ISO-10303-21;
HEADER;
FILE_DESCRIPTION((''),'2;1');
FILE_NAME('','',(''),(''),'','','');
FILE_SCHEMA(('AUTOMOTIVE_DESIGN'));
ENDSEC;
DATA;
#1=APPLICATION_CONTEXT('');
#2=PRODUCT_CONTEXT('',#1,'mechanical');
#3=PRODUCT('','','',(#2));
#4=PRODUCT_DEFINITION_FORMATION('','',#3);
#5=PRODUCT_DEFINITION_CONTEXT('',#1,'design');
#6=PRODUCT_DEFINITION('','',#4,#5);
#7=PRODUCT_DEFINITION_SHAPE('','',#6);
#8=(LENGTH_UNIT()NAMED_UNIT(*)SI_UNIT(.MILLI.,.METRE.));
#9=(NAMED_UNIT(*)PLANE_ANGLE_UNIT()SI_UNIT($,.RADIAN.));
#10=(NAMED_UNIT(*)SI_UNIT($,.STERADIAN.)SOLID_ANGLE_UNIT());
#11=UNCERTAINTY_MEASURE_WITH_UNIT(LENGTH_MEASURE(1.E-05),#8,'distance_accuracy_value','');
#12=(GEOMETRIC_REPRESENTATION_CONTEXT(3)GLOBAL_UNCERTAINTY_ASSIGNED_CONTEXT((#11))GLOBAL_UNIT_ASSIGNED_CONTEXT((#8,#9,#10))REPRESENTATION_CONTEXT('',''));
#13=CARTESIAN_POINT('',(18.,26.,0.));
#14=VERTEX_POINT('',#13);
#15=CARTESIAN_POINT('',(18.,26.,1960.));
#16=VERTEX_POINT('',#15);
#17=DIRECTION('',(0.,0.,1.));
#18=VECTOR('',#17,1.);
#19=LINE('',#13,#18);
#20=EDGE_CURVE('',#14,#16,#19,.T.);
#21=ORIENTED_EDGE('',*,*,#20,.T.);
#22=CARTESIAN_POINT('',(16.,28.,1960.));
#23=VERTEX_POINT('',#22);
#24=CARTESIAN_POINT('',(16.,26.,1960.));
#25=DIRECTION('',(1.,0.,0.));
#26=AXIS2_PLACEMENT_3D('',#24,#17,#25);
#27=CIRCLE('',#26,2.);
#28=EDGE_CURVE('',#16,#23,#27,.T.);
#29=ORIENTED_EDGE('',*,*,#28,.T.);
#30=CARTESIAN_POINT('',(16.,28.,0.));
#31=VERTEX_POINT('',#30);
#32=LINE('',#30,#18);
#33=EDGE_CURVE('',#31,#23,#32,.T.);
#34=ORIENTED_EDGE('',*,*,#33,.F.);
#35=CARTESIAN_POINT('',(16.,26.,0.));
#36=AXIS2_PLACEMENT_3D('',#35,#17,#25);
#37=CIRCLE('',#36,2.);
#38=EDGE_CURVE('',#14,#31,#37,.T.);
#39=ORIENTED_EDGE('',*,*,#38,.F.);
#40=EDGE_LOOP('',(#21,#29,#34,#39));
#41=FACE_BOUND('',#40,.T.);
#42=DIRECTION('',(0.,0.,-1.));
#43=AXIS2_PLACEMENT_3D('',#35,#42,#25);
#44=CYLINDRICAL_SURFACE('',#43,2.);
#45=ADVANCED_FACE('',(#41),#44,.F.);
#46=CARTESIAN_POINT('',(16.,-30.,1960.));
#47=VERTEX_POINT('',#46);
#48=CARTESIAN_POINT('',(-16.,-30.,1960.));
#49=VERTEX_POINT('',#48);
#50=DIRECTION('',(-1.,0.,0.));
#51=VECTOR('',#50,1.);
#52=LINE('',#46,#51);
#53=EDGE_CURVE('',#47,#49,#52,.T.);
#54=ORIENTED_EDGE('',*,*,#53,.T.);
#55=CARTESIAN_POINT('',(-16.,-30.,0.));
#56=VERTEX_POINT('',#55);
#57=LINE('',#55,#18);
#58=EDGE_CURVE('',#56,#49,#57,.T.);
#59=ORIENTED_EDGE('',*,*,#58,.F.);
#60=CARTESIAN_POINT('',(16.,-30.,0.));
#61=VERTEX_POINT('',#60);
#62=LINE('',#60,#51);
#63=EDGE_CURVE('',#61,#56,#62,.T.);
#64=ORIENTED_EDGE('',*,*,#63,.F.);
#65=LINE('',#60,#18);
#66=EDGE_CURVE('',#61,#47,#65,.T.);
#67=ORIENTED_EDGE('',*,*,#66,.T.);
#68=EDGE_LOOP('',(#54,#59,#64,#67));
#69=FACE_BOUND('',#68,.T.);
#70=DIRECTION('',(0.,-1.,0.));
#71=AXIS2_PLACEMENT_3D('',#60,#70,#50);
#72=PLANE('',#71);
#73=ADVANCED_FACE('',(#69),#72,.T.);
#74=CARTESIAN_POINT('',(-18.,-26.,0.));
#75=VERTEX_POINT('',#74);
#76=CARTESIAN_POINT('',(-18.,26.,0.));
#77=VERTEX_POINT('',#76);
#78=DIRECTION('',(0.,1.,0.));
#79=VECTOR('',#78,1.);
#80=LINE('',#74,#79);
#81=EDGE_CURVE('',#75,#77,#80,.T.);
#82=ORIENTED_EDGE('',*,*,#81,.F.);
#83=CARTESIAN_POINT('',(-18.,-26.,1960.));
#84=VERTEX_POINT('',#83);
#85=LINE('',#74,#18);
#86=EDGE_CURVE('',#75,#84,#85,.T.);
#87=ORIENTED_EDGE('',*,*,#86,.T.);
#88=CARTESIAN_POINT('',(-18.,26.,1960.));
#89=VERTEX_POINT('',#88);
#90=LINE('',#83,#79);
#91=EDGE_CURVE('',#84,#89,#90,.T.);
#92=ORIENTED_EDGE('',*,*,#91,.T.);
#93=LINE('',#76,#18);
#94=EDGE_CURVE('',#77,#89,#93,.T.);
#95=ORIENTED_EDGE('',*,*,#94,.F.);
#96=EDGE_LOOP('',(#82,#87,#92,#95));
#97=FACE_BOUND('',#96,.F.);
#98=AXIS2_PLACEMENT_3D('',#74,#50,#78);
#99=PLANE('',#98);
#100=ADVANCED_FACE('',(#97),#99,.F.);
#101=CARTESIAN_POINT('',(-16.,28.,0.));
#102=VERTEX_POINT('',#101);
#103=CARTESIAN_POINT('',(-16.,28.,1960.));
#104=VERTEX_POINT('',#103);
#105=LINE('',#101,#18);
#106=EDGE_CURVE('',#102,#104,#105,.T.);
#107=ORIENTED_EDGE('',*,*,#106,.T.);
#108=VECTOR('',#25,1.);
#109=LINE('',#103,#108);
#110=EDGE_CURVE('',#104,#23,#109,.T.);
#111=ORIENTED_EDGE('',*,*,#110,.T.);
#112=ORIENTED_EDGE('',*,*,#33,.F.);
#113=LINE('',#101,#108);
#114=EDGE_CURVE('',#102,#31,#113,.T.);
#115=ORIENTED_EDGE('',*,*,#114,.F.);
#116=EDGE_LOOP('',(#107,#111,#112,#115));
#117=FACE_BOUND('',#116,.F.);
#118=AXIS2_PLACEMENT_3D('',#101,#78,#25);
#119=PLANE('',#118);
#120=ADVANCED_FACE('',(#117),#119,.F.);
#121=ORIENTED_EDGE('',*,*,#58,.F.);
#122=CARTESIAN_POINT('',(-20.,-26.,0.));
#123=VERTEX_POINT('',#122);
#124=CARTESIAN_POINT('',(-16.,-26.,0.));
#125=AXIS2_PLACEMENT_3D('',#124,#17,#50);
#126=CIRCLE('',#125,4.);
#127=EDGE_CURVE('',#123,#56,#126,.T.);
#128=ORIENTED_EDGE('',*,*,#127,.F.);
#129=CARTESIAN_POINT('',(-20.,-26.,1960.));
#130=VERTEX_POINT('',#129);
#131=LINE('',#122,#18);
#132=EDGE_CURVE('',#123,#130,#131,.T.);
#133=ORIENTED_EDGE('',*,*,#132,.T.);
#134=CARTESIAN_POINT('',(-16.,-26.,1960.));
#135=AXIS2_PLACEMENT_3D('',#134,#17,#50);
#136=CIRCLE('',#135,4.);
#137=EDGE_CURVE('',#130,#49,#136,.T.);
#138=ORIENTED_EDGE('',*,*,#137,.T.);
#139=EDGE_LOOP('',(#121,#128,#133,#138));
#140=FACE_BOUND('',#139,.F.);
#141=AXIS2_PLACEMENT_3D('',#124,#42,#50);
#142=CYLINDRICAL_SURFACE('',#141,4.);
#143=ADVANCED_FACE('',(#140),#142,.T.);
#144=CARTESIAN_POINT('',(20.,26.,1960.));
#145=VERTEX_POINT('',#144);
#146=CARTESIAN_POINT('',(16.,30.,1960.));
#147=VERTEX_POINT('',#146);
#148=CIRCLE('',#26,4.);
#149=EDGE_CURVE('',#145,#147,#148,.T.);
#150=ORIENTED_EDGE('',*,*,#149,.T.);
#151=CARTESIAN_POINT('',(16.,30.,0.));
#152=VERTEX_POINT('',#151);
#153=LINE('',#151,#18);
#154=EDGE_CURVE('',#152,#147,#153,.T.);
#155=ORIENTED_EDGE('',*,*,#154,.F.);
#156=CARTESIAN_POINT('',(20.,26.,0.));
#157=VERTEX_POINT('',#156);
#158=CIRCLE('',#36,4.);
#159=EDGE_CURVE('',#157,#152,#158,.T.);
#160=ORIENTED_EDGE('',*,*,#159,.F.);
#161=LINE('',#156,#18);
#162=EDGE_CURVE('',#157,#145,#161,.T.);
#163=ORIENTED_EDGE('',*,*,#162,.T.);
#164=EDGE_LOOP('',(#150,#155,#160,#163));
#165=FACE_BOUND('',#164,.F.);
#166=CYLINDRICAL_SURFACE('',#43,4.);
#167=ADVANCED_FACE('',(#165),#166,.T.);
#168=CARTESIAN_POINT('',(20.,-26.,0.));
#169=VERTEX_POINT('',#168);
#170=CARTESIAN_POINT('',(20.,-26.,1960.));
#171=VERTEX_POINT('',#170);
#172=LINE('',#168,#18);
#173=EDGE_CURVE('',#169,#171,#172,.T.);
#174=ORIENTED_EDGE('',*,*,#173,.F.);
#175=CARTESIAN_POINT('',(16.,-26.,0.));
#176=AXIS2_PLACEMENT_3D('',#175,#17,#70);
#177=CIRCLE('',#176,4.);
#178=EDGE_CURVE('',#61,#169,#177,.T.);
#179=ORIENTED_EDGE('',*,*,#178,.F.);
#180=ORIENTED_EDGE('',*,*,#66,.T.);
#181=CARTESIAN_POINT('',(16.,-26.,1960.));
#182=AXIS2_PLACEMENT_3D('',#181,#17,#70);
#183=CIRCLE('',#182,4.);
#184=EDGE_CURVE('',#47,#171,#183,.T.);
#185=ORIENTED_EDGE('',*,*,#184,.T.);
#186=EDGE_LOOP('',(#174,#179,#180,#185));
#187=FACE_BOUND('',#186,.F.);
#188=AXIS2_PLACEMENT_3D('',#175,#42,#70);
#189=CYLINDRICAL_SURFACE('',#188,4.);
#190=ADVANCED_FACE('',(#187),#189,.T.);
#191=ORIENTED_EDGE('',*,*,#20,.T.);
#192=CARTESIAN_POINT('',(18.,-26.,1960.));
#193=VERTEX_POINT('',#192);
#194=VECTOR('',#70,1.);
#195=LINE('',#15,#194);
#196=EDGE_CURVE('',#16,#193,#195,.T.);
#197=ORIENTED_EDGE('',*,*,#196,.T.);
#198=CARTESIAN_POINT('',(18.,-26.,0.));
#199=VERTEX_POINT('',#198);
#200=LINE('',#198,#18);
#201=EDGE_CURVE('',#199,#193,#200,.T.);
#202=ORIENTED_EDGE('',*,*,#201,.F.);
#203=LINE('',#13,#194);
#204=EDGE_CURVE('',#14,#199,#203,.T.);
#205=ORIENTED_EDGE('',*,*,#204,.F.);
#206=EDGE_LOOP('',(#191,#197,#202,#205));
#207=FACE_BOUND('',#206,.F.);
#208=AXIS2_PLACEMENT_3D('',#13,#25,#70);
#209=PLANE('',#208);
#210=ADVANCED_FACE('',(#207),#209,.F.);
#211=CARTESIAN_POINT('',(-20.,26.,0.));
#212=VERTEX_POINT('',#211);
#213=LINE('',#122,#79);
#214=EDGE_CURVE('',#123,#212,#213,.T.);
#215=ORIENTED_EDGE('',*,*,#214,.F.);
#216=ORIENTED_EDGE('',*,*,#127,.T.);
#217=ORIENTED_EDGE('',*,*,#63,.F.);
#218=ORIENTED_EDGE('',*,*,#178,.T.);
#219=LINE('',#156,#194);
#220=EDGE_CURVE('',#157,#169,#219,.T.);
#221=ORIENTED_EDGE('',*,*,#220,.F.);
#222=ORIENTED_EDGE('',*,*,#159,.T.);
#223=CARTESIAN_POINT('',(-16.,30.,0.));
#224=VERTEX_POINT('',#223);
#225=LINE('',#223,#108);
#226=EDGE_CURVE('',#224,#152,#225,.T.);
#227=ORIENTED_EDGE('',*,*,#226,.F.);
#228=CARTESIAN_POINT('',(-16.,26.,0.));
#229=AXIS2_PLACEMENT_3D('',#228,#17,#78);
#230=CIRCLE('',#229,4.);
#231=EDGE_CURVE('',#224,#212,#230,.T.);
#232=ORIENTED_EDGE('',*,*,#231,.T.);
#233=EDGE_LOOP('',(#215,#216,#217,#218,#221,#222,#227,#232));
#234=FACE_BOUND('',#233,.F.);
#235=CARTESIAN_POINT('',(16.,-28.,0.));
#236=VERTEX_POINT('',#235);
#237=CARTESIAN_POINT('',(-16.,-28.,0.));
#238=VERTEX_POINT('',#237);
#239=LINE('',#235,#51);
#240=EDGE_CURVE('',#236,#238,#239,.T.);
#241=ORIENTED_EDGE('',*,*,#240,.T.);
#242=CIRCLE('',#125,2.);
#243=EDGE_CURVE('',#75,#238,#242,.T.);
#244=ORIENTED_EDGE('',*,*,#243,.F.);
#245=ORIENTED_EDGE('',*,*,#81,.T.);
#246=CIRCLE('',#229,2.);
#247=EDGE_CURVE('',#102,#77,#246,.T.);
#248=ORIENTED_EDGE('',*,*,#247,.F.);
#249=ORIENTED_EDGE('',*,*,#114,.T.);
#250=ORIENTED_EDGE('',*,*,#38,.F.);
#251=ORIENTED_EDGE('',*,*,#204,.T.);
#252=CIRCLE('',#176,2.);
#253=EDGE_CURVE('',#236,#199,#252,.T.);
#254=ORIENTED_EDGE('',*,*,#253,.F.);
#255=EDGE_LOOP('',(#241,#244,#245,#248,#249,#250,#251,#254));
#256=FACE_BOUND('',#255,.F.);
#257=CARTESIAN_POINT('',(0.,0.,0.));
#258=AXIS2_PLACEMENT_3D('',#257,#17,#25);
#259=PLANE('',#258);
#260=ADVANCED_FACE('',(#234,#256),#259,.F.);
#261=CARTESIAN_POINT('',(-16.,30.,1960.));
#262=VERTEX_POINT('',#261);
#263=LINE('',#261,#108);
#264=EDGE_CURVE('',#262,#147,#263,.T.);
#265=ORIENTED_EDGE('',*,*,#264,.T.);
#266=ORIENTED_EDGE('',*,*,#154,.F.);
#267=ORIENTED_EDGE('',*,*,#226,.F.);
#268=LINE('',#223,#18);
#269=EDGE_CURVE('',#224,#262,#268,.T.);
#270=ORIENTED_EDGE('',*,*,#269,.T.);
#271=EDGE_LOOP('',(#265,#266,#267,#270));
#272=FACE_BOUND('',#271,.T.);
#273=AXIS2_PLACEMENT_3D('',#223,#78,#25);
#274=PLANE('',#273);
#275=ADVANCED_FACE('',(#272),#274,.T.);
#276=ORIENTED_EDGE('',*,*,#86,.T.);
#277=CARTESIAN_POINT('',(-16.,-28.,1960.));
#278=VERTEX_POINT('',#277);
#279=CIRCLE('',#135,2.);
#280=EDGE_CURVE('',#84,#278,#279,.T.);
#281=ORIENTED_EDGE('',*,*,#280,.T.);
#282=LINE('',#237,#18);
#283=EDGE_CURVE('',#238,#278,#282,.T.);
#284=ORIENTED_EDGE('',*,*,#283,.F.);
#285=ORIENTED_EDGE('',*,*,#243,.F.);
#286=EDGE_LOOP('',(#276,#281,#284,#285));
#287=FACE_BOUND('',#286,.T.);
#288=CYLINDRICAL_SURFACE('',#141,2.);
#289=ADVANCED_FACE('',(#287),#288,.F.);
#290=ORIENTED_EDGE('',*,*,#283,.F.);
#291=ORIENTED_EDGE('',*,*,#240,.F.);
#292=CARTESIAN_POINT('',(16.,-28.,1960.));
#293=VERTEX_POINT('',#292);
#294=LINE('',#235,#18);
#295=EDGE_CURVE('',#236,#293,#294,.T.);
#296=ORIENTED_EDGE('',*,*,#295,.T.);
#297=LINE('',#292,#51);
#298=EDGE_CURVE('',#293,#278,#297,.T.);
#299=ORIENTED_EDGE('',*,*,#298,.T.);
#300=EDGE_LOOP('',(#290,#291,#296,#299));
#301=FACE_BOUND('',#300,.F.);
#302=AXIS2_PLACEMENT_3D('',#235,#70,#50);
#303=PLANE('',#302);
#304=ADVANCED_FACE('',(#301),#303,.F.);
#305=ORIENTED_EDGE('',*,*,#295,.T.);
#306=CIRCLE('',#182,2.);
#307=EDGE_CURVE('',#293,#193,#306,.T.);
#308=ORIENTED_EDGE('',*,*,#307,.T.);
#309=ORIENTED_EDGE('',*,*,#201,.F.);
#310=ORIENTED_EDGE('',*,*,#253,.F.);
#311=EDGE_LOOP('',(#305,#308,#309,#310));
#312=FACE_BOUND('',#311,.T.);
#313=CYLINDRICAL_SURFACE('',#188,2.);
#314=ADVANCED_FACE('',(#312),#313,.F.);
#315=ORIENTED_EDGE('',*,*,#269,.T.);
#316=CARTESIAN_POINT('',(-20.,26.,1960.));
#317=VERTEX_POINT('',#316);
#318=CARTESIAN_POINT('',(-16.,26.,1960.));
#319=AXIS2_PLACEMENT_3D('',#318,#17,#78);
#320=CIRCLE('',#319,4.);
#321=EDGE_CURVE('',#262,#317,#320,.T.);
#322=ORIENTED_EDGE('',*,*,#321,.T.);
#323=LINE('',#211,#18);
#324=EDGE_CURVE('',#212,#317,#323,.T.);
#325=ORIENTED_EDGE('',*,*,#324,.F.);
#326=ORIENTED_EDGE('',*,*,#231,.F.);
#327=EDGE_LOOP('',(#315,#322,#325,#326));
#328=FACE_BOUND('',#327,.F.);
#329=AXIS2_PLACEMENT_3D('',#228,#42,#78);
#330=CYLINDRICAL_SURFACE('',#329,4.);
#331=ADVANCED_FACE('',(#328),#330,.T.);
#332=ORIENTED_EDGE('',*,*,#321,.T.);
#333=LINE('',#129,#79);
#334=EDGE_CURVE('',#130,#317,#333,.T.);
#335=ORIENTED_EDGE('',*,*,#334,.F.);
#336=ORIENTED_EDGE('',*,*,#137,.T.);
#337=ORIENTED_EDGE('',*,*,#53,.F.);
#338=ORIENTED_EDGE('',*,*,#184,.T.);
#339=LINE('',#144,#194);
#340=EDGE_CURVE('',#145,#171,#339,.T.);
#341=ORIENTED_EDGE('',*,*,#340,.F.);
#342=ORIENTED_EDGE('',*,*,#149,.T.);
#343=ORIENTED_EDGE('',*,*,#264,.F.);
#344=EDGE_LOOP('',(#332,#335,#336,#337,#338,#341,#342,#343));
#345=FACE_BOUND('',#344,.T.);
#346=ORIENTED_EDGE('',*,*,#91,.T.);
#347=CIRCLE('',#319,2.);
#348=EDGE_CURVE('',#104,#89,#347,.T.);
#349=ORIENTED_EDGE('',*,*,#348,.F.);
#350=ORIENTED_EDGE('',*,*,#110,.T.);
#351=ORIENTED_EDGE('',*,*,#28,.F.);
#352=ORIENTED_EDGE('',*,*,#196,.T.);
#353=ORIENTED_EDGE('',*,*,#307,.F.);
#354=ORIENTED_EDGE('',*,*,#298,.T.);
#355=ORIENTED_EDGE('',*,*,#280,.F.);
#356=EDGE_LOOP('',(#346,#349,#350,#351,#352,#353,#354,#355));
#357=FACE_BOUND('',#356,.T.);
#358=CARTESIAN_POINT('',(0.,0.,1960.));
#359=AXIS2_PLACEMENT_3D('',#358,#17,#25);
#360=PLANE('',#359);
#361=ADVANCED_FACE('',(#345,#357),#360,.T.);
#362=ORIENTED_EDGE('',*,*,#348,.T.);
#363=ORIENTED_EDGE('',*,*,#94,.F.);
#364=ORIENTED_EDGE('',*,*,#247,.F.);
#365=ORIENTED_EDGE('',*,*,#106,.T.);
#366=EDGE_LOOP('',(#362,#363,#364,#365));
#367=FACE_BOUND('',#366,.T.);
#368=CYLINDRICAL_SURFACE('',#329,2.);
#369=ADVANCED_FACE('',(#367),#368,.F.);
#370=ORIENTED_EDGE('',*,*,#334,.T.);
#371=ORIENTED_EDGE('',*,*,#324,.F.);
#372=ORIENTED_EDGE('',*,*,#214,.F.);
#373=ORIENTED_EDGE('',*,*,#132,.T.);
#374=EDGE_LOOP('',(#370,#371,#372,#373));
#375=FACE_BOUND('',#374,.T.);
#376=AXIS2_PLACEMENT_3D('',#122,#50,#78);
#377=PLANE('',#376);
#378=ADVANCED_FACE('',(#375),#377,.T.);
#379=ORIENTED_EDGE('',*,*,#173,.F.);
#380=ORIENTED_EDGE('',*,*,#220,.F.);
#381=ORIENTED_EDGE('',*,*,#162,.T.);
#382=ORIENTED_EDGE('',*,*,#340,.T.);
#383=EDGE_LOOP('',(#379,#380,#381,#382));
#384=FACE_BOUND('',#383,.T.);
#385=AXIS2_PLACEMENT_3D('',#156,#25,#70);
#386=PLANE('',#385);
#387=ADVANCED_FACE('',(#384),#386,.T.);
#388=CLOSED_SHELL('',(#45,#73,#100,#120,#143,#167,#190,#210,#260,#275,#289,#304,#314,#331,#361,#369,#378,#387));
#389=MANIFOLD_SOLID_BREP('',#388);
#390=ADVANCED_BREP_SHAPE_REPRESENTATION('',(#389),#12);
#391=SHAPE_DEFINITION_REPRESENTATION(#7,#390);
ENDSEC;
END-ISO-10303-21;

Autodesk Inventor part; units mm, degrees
ref_plane "YZ Plane" through (0, 0, 0) normal (1, 0, 0) x (0, 1, 0)
ref_plane "Start Plane" through (0, 0, 0) normal (0, 0, 1) x (1, 0, 0)
ref_plane "End Plane" through (0, 0, 1960) normal (0, 0, 1) x (1, 0, 0)
sketch "Sketch" plane through (0, 0, 0) normal (0, 0, 1) x (1, 0, 0)
  line L0 (-20, -26) -> (-20, 26)
  line L1 (-16, 30) -> (16, 30)
  line L2 (20, 26) -> (20, -26)
  line L3 (16, -30) -> (-16, -30)
  arc A0 (-20, -26) -> (-16, -30) centre (-16, -26) ccw
  arc A1 (20, 26) -> (16, 30) centre (16, 26) ccw
  arc A2 (-16, 30) -> (-20, 26) centre (-16, 26) ccw
  arc A3 (16, -30) -> (20, -26) centre (16, -26) ccw
  arc A4 (-16, 28) -> (-18, 26) centre (-16, 26) ccw
  line L4 (-16, 28) -> (16, 28)
  arc A5 (18, 26) -> (16, 28) centre (16, 26) ccw
  line L5 (18, 26) -> (18, -26)
  arc A6 (16, -28) -> (18, -26) centre (16, -26) ccw
  line L6 (16, -28) -> (-16, -28)
  arc A7 (-18, -26) -> (-16, -28) centre (-16, -26) ccw
  line L7 (-18, -26) -> (-18, 26)
  line L8 (0, 43.1598) -> (0, -43.1598) construction
  line L9 (-29.1598, 0) -> (29.1598, 0) construction
  dimension "d7" = 4
  dimension "d9" = 40
  dimension "d11" = 60
  dimension "d12" = 2
  dimension "d15" = 20
  dimension "d16" = 30
extrude "Body" add sketch "Sketch" along normal up to surface (1960 mm away) from surface at 0
sketch "Sketch3" plane through (0, 0, 0) normal (0, 0, 1) x (1, 0, 0)
  line L0 (0, 0) -> (10, 0)
ref_plane "Work Plane3" through (0, 0, 0) normal (0, -1, 0) x (1, 0, 0)
sketch "Sketch4" plane through (0, 0, 0) normal (0, -1, 0) x (1, 0, 0)
  line L0 (-2, 0) -> (12, 0) projected
  line L1 (-2, 1960) -> (12, 1960) projected
  dimension "d18" = 1960
equation "\"d7\" = G_IR"
equation "\"d9\" = G_W"
equation "\"d11\" = G_H"
equation "\"d12\" = G_T"
equation "\"d15\" = 0.5 * d9"
equation "\"d16\" = 0.5 * d11"
equation "\"d3\" = G_L"
equation "\"G_W\" = 40"
equation "\"G_H\" = 60"
equation "\"G_T\" = 2"
equation "\"G_IR\" = 4"
equation "\"G_L\" = d18"
equation "\"G_OFFSET_START\" = 0"
equation "\"G_OFFSET_END\" = 0"
properties part number "ISO 10799-2 - 60x40x2 - 1960" material "Steel, Mild"
